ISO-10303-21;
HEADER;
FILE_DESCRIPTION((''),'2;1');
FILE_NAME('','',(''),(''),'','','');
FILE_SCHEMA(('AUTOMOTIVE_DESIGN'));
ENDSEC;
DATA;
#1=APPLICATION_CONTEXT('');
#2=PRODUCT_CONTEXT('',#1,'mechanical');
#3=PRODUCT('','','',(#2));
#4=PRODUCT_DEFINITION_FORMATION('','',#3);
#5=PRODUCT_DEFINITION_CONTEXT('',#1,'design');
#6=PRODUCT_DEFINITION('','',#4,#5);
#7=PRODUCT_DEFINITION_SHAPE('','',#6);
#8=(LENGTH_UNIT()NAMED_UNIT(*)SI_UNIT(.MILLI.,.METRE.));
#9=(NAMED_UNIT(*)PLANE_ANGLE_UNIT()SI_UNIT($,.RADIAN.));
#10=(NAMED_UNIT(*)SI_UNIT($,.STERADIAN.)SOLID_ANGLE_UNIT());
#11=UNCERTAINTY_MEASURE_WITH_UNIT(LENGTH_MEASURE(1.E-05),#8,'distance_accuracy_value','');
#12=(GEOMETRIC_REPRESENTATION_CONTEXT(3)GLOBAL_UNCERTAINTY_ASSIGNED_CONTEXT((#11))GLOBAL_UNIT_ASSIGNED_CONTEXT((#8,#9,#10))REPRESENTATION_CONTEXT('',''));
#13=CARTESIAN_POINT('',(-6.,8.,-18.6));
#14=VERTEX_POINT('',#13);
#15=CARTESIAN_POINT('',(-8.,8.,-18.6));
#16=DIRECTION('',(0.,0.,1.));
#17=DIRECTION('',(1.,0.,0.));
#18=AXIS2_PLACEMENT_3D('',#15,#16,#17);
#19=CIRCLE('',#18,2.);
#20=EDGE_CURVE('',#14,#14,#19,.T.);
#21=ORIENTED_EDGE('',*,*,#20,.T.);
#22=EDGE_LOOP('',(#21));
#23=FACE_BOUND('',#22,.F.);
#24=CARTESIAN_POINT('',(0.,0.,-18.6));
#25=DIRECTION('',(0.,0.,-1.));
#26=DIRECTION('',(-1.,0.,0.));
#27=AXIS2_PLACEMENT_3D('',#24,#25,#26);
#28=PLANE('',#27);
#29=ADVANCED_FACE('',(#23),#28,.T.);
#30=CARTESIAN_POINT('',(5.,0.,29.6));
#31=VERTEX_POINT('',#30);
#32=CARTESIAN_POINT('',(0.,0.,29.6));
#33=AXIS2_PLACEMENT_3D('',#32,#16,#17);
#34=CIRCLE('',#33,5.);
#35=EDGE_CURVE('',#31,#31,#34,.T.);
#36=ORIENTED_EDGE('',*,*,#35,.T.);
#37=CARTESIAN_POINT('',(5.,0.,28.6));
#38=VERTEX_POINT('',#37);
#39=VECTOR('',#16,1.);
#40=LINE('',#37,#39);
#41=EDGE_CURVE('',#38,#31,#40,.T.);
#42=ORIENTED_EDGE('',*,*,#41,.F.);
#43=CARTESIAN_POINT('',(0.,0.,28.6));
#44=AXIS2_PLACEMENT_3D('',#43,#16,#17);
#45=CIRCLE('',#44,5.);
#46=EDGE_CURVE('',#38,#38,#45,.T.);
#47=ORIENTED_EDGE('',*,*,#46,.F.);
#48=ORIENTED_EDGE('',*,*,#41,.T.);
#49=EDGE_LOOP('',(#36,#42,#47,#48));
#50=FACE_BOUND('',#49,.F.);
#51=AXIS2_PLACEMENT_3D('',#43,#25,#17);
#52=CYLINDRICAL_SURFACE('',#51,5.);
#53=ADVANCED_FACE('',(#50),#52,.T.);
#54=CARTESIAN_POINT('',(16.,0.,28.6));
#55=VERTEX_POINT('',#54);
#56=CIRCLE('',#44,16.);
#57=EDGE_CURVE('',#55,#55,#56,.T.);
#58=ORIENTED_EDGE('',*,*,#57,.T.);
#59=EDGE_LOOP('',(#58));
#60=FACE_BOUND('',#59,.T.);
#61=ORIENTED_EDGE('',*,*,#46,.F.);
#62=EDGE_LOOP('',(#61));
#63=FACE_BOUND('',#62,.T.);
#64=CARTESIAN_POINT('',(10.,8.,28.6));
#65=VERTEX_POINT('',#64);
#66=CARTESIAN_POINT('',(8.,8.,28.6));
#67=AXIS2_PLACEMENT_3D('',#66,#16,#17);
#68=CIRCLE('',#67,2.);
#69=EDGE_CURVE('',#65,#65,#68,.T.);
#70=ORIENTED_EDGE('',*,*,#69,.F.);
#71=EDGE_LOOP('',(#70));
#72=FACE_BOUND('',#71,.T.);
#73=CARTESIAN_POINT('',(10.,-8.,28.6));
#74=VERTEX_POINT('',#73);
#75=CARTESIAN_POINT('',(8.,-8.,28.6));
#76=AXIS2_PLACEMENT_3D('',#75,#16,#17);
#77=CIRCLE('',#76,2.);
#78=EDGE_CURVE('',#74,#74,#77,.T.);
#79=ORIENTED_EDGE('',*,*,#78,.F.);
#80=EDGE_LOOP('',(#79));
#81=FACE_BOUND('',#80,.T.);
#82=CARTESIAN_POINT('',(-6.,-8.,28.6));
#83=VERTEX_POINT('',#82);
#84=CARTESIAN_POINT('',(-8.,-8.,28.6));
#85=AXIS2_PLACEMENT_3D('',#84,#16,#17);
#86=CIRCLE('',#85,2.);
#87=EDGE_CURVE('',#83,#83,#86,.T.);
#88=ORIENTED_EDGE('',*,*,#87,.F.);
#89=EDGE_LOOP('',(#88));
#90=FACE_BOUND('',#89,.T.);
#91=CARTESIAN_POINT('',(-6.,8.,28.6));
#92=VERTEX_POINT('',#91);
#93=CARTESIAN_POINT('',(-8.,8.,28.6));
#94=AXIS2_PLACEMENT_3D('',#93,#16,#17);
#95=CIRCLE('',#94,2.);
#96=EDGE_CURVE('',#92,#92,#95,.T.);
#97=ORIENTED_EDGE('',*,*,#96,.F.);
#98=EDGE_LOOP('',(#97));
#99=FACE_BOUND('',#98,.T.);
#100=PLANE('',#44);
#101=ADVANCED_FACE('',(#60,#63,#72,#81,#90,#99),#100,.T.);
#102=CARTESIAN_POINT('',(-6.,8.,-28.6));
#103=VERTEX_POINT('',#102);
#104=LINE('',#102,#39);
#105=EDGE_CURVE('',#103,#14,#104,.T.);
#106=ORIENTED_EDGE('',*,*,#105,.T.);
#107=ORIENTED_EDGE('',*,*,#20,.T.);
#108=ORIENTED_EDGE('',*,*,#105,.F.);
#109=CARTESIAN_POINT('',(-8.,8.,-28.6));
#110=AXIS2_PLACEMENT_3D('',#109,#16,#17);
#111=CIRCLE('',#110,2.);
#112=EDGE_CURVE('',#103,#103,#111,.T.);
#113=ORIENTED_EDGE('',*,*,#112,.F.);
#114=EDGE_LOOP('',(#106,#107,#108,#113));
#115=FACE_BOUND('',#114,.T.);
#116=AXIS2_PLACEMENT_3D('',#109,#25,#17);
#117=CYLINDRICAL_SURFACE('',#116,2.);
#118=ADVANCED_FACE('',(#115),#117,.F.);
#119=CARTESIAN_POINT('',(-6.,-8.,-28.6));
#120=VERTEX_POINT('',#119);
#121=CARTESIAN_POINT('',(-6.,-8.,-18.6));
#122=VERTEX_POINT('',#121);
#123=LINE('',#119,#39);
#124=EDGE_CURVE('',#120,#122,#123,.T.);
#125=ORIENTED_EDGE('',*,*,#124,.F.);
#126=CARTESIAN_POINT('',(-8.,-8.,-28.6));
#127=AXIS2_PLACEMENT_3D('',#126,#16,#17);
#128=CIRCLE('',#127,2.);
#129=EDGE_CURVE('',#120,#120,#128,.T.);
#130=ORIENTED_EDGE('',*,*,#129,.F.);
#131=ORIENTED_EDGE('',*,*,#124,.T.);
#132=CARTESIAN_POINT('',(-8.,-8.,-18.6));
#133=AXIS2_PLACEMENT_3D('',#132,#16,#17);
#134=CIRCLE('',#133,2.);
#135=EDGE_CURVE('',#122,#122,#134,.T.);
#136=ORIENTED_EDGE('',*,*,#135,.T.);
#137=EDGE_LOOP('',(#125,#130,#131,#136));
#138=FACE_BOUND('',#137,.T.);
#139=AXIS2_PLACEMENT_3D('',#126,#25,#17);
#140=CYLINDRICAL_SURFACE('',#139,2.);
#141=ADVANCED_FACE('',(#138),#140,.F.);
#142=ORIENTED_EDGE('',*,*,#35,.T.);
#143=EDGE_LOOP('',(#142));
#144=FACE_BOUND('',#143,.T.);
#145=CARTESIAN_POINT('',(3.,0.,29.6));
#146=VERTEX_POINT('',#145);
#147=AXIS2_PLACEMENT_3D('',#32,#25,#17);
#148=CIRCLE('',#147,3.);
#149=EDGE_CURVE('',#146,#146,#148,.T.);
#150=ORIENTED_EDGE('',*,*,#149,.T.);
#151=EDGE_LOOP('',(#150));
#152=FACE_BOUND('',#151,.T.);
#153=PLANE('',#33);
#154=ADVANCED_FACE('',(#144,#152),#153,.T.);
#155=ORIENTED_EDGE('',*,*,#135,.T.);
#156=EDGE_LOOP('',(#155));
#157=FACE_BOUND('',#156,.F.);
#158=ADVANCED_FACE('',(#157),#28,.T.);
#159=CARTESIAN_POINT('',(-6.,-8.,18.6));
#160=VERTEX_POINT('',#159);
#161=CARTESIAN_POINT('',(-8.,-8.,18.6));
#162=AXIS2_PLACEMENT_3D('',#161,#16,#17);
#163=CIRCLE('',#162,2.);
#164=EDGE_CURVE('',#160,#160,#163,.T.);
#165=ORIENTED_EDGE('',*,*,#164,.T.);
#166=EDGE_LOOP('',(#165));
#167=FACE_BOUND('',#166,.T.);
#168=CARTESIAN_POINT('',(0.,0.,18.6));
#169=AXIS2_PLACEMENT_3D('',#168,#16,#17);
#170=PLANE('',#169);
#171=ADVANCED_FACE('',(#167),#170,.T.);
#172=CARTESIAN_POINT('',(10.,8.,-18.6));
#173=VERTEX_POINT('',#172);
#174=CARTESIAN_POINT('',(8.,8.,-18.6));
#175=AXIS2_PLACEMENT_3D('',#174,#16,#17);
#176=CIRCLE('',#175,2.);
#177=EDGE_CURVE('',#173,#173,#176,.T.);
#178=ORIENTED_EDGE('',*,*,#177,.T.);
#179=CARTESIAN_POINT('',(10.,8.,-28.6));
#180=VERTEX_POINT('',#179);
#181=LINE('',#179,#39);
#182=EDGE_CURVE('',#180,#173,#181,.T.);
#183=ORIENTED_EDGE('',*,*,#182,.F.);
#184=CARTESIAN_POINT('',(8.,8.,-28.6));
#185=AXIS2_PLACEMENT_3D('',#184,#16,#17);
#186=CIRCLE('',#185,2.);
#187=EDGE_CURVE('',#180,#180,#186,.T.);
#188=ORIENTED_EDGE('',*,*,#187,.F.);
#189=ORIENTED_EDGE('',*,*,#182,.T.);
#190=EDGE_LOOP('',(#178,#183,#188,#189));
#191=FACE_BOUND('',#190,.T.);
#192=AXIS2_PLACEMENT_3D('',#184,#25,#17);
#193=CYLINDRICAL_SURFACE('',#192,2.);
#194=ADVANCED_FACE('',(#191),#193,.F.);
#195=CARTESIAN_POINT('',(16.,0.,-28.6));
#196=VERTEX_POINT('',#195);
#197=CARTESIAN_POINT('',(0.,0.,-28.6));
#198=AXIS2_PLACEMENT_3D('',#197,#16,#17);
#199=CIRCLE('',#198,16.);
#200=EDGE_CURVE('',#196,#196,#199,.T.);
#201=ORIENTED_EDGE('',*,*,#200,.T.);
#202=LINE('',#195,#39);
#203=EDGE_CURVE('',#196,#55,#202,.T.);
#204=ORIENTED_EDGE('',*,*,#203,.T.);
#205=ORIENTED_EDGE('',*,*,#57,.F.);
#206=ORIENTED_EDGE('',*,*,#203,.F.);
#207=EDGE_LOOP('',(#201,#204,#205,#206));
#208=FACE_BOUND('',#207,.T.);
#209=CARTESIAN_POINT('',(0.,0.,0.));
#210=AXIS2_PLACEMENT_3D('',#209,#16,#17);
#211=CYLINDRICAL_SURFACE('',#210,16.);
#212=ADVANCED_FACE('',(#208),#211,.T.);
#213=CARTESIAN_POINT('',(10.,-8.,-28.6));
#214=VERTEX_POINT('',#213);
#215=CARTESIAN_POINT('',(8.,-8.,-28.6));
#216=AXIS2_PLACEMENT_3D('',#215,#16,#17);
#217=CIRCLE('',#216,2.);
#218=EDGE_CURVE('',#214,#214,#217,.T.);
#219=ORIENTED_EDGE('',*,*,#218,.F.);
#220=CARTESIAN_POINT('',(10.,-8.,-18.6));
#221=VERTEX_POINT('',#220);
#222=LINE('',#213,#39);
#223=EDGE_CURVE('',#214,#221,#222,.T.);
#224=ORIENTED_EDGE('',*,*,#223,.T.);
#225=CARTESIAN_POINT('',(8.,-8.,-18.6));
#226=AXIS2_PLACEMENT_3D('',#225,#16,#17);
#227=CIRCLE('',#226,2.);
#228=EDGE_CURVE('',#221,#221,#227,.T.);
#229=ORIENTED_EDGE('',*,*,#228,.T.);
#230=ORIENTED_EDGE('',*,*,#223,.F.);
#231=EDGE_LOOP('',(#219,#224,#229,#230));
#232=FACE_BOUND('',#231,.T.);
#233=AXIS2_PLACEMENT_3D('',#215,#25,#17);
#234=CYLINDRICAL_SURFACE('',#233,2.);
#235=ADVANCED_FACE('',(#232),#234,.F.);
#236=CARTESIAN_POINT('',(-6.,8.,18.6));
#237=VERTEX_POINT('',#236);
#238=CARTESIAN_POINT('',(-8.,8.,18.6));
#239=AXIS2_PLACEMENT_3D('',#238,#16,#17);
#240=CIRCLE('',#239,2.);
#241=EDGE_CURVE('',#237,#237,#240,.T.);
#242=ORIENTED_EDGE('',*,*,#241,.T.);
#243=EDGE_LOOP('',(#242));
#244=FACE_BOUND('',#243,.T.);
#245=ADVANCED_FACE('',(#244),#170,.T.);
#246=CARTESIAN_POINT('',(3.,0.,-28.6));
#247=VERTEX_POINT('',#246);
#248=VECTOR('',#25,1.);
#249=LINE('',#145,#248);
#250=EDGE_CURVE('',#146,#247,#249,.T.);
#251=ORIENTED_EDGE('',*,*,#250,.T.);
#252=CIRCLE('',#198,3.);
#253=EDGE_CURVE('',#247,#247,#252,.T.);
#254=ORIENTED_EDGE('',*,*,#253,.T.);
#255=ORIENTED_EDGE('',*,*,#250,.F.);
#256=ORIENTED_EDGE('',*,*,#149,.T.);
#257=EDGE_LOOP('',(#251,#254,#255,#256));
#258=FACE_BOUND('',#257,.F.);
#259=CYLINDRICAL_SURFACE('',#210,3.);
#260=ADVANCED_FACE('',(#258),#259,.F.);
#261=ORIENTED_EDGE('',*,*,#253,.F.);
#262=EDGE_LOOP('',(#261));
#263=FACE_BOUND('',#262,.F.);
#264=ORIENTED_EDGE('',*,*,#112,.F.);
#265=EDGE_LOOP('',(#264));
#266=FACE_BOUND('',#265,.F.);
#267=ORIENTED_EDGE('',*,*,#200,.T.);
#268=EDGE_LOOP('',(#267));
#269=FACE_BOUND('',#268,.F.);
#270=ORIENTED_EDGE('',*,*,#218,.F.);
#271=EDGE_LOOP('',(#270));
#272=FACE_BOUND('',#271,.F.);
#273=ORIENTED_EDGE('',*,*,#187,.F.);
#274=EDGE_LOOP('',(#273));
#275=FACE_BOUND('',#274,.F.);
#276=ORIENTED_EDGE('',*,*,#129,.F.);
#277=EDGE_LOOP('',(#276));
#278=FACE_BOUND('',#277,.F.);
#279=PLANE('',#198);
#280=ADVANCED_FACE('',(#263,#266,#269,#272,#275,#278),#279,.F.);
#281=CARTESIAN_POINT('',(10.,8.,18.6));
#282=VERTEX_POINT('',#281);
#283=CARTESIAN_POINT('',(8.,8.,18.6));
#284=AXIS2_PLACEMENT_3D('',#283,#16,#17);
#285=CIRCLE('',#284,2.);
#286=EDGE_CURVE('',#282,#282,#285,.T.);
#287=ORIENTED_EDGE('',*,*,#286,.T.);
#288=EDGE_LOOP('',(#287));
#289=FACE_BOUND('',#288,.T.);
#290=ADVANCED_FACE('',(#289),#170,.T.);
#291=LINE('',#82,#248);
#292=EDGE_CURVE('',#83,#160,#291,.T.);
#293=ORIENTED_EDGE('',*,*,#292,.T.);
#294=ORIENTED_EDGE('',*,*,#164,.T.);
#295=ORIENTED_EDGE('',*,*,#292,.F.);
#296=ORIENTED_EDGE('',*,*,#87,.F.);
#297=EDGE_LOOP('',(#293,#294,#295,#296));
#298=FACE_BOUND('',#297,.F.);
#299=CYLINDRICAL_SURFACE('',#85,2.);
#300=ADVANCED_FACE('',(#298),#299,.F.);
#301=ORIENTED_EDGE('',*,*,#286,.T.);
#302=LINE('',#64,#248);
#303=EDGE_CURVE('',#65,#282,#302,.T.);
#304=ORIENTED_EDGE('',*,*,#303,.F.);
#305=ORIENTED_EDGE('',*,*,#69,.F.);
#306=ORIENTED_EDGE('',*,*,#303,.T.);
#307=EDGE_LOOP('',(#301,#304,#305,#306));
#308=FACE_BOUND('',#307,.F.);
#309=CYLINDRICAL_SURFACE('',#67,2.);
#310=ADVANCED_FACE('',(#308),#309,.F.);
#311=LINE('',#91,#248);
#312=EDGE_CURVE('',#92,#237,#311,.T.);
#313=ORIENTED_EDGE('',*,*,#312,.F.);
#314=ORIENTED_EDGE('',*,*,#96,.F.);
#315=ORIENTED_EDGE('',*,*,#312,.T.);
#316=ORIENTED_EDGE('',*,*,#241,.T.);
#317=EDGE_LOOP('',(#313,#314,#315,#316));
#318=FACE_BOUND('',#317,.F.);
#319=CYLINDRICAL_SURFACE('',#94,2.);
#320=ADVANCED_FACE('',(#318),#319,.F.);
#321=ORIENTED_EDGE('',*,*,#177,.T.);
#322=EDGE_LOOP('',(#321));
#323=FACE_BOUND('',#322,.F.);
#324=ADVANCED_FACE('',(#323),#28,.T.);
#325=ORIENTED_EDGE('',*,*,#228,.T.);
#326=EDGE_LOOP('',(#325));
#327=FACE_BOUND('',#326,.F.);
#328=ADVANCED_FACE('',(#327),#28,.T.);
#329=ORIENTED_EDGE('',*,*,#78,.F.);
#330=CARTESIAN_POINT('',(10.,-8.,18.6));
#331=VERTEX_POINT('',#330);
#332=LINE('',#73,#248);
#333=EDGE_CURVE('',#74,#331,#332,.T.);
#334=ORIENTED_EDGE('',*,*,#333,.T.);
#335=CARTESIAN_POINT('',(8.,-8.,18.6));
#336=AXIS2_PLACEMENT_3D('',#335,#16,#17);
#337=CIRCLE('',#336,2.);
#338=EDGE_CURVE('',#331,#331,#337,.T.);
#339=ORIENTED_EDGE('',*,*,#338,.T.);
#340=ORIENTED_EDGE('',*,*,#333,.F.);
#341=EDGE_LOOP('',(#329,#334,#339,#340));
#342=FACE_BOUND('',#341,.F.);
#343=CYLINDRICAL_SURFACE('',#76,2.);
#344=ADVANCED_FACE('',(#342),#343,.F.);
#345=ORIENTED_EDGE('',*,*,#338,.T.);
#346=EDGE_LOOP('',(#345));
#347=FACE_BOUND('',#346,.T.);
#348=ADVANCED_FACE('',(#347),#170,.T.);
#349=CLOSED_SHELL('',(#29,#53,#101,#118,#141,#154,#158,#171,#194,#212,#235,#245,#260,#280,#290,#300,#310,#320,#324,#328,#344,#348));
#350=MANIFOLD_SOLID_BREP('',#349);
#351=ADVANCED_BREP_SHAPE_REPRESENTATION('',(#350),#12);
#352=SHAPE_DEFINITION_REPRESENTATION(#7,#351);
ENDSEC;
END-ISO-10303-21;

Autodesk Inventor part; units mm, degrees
ref_plane "YZ Plane" through (0, 0, 0) normal (1, 0, 0) x (0, 1, 0)
ref_plane "XZ Plane" through (0, 0, 0) normal (0, 1, 0) x (-1, 0, 0)
ref_plane "XY Plane" through (0, 0, 0) normal (0, 0, 1) x (1, 0, 0)
sketch "Skizze1" plane through (0, 0, 0) normal (0, 0, 1) x (1, 0, 0)
  circle A0 centre (0, 0) radius 16
  circle A1 centre (-8, 8) radius 2
  line L0 (0, 16) -> (0, -16) construction
  line L1 (-16, 0) -> (16, 0) construction
  circle A2 centre (8, 8) radius 2
  circle A3 centre (-8, -8) radius 2
  circle A4 centre (8, -8) radius 2
  circle A5 centre (0, 0) radius 5
  circle A6 centre (0, 0) radius 3
  dimension "d0" = 32
  dimension "d1" = 4
  dimension "d2" = 8
  dimension "d3" = 8
  dimension "d6" = 16
  dimension "d9" = 16
  dimension "d16" = 10
  dimension "d19" = 6
extrude "Extrusion1" add sketch "Skizze1" along normal mid plane 57.2 contours A0 | A1 | A2 | A3 | A4 | A5 | A6
extrude "Extrusion2" cut sketch "Skizze1" against normal blind 10 from surface at 28.6 contours A1 | A2 | A3 | A4
extrude "Extrusion3" add sketch "Skizze1" along normal blind 1 from surface at 28.6 contours A5 | A6
extrude "Extrusion4" cut sketch "Skizze1" along normal through all both and the other way through all contours A6
mirror "Spiegeln1" about plane through (0, 0, 0) normal (0, 0, 1) of "Extrusion2"
equation "\"d2\" = Montage"
equation "\"d3\" = Montage"
equation "\"d6\" = 2 * Montage"
equation "\"d9\" = 2 * Montage"
equation "\"Montage\" = 8"
properties part number "Generator" material "ABS-Kunststoff"
